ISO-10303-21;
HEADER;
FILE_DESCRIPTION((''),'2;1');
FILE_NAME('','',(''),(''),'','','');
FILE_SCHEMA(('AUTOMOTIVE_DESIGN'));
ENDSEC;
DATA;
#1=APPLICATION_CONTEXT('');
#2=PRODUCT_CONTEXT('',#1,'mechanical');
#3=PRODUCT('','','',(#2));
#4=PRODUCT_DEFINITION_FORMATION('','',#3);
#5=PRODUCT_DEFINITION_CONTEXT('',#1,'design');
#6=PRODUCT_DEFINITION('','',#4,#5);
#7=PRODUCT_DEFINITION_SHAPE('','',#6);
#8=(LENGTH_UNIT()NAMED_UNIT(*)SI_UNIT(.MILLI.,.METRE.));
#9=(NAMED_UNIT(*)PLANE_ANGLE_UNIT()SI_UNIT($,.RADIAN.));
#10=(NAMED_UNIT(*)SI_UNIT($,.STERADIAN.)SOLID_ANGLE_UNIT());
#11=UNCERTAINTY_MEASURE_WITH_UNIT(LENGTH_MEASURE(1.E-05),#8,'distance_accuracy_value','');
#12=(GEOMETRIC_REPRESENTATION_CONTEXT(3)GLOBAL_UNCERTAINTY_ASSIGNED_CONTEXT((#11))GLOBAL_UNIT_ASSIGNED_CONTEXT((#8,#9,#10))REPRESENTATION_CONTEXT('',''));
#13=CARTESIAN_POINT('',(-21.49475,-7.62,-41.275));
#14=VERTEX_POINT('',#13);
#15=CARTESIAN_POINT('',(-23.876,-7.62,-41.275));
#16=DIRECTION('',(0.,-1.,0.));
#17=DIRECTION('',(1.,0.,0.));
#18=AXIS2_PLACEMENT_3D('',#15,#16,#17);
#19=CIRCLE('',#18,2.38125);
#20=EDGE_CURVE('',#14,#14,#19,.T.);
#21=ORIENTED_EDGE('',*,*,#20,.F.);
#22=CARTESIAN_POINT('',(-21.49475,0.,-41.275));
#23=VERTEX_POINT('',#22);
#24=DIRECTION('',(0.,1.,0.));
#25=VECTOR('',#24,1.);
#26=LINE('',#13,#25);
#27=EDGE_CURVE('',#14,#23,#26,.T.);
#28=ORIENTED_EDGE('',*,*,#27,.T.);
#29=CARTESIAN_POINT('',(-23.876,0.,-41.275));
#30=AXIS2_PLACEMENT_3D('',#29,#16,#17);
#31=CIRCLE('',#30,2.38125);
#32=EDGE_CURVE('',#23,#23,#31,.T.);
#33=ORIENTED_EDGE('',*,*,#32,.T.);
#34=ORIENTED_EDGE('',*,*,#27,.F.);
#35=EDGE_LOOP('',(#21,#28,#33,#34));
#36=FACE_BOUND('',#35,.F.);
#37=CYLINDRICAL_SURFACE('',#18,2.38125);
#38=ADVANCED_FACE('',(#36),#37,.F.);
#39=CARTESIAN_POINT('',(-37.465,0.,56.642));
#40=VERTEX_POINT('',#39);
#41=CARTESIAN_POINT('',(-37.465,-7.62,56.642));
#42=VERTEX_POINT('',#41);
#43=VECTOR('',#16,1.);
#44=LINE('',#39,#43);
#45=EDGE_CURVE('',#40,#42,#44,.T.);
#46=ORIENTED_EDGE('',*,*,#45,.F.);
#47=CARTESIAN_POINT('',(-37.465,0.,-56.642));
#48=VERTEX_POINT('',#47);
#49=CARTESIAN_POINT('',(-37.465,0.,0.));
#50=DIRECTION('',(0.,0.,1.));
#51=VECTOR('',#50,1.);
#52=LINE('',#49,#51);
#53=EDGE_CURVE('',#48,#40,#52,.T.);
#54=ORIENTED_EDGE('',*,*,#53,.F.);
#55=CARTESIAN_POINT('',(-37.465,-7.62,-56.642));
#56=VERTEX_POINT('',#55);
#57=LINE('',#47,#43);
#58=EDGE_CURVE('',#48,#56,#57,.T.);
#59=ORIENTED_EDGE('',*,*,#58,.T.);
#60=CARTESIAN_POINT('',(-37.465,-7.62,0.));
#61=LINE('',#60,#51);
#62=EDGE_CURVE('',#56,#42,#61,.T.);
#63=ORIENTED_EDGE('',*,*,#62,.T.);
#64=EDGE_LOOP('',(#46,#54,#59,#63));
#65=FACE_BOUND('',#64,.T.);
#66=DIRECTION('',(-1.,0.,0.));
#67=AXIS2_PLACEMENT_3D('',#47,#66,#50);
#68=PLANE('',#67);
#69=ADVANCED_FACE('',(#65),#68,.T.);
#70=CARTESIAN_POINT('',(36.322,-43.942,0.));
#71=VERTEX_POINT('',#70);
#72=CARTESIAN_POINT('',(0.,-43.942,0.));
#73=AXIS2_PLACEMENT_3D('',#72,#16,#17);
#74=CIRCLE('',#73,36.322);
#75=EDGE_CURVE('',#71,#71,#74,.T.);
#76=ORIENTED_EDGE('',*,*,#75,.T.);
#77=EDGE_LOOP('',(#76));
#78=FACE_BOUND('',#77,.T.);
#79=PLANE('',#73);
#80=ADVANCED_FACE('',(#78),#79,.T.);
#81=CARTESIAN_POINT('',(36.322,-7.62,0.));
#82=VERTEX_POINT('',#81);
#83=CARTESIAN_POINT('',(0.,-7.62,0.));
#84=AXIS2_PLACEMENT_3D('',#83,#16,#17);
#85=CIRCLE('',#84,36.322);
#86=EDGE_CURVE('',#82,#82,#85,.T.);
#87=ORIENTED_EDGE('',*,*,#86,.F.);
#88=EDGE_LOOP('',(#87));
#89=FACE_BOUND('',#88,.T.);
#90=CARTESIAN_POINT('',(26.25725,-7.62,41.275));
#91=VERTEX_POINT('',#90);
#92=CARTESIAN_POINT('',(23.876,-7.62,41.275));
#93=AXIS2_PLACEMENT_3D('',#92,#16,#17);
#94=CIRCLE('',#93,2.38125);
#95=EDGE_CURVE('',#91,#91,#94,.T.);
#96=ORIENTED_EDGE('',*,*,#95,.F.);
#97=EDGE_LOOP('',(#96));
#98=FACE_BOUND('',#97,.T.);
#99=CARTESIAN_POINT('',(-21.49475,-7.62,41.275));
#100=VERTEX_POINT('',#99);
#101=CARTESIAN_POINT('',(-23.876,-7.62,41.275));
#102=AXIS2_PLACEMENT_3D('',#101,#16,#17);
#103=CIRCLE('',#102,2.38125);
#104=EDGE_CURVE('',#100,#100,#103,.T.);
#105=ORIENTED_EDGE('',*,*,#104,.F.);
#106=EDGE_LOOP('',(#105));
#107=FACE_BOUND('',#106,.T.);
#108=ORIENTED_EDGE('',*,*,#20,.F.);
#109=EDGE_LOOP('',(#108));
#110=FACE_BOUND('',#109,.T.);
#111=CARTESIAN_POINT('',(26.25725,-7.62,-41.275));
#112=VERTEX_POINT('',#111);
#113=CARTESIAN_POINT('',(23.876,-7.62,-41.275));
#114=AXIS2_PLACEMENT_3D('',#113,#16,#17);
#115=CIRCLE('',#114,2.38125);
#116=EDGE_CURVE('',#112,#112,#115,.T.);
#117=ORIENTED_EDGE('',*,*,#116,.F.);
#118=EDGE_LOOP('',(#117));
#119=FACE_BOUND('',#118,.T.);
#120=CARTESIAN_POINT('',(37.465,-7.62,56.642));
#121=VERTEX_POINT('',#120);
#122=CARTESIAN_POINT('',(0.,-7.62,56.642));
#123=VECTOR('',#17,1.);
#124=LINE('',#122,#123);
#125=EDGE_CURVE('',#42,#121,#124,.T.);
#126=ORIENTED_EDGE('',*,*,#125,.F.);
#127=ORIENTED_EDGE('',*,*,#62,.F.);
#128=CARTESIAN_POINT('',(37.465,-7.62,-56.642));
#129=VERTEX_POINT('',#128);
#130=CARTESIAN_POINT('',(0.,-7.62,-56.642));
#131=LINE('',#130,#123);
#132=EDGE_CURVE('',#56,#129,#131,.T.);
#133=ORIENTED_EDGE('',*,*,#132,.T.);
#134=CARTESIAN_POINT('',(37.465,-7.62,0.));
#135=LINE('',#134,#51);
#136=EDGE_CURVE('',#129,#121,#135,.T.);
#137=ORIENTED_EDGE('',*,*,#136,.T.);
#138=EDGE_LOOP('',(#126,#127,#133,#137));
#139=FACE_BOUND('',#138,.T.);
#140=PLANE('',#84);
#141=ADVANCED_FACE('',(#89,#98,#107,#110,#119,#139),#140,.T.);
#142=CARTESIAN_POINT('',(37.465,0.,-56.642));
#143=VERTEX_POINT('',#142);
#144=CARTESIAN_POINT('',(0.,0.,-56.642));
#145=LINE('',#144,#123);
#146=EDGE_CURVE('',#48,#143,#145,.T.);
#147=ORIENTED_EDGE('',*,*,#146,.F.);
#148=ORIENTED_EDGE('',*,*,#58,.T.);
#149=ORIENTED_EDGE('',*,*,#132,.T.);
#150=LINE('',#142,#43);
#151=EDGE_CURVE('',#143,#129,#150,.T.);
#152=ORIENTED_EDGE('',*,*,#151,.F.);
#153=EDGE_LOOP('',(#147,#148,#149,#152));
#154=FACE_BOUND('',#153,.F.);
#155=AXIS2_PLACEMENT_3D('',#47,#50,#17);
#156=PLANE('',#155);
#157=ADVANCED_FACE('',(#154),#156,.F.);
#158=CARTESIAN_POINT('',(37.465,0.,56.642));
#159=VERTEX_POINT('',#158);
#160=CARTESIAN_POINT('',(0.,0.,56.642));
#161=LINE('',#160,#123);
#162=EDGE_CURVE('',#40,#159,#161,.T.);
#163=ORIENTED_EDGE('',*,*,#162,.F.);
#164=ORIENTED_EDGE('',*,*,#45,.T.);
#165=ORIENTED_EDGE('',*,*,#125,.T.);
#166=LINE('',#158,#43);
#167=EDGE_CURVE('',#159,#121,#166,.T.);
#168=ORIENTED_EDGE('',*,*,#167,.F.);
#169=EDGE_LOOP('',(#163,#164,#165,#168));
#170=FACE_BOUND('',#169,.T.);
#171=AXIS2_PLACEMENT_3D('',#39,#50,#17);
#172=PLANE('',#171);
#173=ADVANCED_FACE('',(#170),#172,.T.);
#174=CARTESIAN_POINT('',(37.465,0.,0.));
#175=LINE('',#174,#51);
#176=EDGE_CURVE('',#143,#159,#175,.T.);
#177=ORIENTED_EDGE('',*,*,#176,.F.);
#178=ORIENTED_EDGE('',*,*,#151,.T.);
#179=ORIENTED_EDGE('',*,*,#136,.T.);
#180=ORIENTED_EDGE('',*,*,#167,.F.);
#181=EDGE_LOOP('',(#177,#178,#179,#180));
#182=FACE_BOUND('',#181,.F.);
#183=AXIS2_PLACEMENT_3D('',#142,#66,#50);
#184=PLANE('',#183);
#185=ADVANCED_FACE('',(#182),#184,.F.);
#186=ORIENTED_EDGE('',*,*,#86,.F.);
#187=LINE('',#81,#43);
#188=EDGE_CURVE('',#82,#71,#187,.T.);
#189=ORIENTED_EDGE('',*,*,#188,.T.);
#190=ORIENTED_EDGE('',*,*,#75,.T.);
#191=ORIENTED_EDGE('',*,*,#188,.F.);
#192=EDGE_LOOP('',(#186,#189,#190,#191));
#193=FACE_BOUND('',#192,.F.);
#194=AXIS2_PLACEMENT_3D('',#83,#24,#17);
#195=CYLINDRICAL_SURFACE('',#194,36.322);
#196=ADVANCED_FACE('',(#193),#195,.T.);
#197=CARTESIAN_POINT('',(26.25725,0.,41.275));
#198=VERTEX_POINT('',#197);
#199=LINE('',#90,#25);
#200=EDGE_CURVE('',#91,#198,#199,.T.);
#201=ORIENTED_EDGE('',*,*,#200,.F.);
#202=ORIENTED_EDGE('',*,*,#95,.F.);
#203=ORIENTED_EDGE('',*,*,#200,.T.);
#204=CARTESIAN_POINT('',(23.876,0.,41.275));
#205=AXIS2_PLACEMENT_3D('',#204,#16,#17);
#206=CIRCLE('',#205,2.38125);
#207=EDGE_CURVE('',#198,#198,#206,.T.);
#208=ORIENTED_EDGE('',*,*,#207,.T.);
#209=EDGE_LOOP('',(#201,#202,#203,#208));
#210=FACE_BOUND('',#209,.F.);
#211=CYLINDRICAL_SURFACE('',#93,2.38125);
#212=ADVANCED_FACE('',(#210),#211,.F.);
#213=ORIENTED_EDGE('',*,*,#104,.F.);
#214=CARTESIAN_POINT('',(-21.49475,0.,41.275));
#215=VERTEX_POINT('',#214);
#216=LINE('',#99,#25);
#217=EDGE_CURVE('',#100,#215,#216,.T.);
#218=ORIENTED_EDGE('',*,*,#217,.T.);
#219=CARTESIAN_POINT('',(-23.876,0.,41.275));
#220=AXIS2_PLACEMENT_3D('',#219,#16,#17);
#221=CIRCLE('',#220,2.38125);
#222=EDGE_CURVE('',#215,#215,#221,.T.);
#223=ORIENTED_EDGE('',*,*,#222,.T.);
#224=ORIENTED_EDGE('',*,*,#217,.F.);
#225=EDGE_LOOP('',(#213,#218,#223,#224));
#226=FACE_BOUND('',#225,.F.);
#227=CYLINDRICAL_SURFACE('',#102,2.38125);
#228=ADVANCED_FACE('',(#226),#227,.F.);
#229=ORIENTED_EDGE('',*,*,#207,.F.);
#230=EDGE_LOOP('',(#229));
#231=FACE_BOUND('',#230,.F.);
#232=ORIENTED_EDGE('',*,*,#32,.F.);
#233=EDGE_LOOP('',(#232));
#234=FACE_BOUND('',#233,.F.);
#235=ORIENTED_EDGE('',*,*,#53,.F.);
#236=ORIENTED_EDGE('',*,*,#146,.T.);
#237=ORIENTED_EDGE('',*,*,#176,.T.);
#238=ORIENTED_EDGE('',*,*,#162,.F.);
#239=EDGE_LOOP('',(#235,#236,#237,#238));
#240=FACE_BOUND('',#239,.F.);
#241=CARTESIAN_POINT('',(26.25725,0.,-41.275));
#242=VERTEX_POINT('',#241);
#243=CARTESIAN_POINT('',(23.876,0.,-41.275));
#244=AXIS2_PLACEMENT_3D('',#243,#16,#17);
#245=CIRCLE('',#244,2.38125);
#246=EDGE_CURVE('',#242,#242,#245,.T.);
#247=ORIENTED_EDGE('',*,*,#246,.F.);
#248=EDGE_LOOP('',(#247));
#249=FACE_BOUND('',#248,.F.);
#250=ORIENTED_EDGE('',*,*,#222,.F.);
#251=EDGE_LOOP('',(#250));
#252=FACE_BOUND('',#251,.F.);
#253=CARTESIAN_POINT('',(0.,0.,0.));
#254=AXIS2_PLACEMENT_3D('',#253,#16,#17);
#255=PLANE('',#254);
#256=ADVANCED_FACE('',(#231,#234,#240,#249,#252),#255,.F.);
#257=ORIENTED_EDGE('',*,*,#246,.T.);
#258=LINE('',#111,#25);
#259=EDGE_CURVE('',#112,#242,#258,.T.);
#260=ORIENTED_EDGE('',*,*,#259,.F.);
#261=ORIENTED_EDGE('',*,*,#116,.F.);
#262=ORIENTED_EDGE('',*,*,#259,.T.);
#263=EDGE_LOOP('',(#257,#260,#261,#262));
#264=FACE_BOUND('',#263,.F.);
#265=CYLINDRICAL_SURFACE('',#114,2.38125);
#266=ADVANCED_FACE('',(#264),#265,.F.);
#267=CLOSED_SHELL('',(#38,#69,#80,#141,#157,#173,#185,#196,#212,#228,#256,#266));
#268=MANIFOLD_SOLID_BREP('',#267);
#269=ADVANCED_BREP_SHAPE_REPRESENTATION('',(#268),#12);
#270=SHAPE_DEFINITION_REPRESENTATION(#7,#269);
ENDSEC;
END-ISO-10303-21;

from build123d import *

# Parameters (mm, degrees)
F0_W     = 74.93
F0_H     = 113.284
F1_DEPTH = 7.62
F2_R     = 2.38125
F3_DEPTH = 7.621
F4_R     = 36.322
F5_DEPTH = 36.322


with BuildPart() as f1:
    # F0 (on Front) → F1 (new body)
    with BuildSketch(Plane.XZ):
        Rectangle(F0_W, F0_H)
    extrude(amount=F1_DEPTH)

    # F2 (on face) → F3 (cut, through all)
    with BuildSketch(Plane.XZ.offset(7.62)):
        with Locations((23.876, 41.275)):
            Circle(F2_R)
        with Locations((-23.876, 41.275)):
            Circle(F2_R)
        with Locations((-23.876, -41.275)):
            Circle(F2_R)
        with Locations((23.876, -41.275)):
            Circle(F2_R)
    extrude(amount=-F3_DEPTH, mode=Mode.SUBTRACT)

    # F4 (on face) → F5 (join)
    with BuildSketch(Plane.XZ.offset(7.62)):
        Circle(F4_R)
    extrude(amount=F5_DEPTH)


solid = f1.part
